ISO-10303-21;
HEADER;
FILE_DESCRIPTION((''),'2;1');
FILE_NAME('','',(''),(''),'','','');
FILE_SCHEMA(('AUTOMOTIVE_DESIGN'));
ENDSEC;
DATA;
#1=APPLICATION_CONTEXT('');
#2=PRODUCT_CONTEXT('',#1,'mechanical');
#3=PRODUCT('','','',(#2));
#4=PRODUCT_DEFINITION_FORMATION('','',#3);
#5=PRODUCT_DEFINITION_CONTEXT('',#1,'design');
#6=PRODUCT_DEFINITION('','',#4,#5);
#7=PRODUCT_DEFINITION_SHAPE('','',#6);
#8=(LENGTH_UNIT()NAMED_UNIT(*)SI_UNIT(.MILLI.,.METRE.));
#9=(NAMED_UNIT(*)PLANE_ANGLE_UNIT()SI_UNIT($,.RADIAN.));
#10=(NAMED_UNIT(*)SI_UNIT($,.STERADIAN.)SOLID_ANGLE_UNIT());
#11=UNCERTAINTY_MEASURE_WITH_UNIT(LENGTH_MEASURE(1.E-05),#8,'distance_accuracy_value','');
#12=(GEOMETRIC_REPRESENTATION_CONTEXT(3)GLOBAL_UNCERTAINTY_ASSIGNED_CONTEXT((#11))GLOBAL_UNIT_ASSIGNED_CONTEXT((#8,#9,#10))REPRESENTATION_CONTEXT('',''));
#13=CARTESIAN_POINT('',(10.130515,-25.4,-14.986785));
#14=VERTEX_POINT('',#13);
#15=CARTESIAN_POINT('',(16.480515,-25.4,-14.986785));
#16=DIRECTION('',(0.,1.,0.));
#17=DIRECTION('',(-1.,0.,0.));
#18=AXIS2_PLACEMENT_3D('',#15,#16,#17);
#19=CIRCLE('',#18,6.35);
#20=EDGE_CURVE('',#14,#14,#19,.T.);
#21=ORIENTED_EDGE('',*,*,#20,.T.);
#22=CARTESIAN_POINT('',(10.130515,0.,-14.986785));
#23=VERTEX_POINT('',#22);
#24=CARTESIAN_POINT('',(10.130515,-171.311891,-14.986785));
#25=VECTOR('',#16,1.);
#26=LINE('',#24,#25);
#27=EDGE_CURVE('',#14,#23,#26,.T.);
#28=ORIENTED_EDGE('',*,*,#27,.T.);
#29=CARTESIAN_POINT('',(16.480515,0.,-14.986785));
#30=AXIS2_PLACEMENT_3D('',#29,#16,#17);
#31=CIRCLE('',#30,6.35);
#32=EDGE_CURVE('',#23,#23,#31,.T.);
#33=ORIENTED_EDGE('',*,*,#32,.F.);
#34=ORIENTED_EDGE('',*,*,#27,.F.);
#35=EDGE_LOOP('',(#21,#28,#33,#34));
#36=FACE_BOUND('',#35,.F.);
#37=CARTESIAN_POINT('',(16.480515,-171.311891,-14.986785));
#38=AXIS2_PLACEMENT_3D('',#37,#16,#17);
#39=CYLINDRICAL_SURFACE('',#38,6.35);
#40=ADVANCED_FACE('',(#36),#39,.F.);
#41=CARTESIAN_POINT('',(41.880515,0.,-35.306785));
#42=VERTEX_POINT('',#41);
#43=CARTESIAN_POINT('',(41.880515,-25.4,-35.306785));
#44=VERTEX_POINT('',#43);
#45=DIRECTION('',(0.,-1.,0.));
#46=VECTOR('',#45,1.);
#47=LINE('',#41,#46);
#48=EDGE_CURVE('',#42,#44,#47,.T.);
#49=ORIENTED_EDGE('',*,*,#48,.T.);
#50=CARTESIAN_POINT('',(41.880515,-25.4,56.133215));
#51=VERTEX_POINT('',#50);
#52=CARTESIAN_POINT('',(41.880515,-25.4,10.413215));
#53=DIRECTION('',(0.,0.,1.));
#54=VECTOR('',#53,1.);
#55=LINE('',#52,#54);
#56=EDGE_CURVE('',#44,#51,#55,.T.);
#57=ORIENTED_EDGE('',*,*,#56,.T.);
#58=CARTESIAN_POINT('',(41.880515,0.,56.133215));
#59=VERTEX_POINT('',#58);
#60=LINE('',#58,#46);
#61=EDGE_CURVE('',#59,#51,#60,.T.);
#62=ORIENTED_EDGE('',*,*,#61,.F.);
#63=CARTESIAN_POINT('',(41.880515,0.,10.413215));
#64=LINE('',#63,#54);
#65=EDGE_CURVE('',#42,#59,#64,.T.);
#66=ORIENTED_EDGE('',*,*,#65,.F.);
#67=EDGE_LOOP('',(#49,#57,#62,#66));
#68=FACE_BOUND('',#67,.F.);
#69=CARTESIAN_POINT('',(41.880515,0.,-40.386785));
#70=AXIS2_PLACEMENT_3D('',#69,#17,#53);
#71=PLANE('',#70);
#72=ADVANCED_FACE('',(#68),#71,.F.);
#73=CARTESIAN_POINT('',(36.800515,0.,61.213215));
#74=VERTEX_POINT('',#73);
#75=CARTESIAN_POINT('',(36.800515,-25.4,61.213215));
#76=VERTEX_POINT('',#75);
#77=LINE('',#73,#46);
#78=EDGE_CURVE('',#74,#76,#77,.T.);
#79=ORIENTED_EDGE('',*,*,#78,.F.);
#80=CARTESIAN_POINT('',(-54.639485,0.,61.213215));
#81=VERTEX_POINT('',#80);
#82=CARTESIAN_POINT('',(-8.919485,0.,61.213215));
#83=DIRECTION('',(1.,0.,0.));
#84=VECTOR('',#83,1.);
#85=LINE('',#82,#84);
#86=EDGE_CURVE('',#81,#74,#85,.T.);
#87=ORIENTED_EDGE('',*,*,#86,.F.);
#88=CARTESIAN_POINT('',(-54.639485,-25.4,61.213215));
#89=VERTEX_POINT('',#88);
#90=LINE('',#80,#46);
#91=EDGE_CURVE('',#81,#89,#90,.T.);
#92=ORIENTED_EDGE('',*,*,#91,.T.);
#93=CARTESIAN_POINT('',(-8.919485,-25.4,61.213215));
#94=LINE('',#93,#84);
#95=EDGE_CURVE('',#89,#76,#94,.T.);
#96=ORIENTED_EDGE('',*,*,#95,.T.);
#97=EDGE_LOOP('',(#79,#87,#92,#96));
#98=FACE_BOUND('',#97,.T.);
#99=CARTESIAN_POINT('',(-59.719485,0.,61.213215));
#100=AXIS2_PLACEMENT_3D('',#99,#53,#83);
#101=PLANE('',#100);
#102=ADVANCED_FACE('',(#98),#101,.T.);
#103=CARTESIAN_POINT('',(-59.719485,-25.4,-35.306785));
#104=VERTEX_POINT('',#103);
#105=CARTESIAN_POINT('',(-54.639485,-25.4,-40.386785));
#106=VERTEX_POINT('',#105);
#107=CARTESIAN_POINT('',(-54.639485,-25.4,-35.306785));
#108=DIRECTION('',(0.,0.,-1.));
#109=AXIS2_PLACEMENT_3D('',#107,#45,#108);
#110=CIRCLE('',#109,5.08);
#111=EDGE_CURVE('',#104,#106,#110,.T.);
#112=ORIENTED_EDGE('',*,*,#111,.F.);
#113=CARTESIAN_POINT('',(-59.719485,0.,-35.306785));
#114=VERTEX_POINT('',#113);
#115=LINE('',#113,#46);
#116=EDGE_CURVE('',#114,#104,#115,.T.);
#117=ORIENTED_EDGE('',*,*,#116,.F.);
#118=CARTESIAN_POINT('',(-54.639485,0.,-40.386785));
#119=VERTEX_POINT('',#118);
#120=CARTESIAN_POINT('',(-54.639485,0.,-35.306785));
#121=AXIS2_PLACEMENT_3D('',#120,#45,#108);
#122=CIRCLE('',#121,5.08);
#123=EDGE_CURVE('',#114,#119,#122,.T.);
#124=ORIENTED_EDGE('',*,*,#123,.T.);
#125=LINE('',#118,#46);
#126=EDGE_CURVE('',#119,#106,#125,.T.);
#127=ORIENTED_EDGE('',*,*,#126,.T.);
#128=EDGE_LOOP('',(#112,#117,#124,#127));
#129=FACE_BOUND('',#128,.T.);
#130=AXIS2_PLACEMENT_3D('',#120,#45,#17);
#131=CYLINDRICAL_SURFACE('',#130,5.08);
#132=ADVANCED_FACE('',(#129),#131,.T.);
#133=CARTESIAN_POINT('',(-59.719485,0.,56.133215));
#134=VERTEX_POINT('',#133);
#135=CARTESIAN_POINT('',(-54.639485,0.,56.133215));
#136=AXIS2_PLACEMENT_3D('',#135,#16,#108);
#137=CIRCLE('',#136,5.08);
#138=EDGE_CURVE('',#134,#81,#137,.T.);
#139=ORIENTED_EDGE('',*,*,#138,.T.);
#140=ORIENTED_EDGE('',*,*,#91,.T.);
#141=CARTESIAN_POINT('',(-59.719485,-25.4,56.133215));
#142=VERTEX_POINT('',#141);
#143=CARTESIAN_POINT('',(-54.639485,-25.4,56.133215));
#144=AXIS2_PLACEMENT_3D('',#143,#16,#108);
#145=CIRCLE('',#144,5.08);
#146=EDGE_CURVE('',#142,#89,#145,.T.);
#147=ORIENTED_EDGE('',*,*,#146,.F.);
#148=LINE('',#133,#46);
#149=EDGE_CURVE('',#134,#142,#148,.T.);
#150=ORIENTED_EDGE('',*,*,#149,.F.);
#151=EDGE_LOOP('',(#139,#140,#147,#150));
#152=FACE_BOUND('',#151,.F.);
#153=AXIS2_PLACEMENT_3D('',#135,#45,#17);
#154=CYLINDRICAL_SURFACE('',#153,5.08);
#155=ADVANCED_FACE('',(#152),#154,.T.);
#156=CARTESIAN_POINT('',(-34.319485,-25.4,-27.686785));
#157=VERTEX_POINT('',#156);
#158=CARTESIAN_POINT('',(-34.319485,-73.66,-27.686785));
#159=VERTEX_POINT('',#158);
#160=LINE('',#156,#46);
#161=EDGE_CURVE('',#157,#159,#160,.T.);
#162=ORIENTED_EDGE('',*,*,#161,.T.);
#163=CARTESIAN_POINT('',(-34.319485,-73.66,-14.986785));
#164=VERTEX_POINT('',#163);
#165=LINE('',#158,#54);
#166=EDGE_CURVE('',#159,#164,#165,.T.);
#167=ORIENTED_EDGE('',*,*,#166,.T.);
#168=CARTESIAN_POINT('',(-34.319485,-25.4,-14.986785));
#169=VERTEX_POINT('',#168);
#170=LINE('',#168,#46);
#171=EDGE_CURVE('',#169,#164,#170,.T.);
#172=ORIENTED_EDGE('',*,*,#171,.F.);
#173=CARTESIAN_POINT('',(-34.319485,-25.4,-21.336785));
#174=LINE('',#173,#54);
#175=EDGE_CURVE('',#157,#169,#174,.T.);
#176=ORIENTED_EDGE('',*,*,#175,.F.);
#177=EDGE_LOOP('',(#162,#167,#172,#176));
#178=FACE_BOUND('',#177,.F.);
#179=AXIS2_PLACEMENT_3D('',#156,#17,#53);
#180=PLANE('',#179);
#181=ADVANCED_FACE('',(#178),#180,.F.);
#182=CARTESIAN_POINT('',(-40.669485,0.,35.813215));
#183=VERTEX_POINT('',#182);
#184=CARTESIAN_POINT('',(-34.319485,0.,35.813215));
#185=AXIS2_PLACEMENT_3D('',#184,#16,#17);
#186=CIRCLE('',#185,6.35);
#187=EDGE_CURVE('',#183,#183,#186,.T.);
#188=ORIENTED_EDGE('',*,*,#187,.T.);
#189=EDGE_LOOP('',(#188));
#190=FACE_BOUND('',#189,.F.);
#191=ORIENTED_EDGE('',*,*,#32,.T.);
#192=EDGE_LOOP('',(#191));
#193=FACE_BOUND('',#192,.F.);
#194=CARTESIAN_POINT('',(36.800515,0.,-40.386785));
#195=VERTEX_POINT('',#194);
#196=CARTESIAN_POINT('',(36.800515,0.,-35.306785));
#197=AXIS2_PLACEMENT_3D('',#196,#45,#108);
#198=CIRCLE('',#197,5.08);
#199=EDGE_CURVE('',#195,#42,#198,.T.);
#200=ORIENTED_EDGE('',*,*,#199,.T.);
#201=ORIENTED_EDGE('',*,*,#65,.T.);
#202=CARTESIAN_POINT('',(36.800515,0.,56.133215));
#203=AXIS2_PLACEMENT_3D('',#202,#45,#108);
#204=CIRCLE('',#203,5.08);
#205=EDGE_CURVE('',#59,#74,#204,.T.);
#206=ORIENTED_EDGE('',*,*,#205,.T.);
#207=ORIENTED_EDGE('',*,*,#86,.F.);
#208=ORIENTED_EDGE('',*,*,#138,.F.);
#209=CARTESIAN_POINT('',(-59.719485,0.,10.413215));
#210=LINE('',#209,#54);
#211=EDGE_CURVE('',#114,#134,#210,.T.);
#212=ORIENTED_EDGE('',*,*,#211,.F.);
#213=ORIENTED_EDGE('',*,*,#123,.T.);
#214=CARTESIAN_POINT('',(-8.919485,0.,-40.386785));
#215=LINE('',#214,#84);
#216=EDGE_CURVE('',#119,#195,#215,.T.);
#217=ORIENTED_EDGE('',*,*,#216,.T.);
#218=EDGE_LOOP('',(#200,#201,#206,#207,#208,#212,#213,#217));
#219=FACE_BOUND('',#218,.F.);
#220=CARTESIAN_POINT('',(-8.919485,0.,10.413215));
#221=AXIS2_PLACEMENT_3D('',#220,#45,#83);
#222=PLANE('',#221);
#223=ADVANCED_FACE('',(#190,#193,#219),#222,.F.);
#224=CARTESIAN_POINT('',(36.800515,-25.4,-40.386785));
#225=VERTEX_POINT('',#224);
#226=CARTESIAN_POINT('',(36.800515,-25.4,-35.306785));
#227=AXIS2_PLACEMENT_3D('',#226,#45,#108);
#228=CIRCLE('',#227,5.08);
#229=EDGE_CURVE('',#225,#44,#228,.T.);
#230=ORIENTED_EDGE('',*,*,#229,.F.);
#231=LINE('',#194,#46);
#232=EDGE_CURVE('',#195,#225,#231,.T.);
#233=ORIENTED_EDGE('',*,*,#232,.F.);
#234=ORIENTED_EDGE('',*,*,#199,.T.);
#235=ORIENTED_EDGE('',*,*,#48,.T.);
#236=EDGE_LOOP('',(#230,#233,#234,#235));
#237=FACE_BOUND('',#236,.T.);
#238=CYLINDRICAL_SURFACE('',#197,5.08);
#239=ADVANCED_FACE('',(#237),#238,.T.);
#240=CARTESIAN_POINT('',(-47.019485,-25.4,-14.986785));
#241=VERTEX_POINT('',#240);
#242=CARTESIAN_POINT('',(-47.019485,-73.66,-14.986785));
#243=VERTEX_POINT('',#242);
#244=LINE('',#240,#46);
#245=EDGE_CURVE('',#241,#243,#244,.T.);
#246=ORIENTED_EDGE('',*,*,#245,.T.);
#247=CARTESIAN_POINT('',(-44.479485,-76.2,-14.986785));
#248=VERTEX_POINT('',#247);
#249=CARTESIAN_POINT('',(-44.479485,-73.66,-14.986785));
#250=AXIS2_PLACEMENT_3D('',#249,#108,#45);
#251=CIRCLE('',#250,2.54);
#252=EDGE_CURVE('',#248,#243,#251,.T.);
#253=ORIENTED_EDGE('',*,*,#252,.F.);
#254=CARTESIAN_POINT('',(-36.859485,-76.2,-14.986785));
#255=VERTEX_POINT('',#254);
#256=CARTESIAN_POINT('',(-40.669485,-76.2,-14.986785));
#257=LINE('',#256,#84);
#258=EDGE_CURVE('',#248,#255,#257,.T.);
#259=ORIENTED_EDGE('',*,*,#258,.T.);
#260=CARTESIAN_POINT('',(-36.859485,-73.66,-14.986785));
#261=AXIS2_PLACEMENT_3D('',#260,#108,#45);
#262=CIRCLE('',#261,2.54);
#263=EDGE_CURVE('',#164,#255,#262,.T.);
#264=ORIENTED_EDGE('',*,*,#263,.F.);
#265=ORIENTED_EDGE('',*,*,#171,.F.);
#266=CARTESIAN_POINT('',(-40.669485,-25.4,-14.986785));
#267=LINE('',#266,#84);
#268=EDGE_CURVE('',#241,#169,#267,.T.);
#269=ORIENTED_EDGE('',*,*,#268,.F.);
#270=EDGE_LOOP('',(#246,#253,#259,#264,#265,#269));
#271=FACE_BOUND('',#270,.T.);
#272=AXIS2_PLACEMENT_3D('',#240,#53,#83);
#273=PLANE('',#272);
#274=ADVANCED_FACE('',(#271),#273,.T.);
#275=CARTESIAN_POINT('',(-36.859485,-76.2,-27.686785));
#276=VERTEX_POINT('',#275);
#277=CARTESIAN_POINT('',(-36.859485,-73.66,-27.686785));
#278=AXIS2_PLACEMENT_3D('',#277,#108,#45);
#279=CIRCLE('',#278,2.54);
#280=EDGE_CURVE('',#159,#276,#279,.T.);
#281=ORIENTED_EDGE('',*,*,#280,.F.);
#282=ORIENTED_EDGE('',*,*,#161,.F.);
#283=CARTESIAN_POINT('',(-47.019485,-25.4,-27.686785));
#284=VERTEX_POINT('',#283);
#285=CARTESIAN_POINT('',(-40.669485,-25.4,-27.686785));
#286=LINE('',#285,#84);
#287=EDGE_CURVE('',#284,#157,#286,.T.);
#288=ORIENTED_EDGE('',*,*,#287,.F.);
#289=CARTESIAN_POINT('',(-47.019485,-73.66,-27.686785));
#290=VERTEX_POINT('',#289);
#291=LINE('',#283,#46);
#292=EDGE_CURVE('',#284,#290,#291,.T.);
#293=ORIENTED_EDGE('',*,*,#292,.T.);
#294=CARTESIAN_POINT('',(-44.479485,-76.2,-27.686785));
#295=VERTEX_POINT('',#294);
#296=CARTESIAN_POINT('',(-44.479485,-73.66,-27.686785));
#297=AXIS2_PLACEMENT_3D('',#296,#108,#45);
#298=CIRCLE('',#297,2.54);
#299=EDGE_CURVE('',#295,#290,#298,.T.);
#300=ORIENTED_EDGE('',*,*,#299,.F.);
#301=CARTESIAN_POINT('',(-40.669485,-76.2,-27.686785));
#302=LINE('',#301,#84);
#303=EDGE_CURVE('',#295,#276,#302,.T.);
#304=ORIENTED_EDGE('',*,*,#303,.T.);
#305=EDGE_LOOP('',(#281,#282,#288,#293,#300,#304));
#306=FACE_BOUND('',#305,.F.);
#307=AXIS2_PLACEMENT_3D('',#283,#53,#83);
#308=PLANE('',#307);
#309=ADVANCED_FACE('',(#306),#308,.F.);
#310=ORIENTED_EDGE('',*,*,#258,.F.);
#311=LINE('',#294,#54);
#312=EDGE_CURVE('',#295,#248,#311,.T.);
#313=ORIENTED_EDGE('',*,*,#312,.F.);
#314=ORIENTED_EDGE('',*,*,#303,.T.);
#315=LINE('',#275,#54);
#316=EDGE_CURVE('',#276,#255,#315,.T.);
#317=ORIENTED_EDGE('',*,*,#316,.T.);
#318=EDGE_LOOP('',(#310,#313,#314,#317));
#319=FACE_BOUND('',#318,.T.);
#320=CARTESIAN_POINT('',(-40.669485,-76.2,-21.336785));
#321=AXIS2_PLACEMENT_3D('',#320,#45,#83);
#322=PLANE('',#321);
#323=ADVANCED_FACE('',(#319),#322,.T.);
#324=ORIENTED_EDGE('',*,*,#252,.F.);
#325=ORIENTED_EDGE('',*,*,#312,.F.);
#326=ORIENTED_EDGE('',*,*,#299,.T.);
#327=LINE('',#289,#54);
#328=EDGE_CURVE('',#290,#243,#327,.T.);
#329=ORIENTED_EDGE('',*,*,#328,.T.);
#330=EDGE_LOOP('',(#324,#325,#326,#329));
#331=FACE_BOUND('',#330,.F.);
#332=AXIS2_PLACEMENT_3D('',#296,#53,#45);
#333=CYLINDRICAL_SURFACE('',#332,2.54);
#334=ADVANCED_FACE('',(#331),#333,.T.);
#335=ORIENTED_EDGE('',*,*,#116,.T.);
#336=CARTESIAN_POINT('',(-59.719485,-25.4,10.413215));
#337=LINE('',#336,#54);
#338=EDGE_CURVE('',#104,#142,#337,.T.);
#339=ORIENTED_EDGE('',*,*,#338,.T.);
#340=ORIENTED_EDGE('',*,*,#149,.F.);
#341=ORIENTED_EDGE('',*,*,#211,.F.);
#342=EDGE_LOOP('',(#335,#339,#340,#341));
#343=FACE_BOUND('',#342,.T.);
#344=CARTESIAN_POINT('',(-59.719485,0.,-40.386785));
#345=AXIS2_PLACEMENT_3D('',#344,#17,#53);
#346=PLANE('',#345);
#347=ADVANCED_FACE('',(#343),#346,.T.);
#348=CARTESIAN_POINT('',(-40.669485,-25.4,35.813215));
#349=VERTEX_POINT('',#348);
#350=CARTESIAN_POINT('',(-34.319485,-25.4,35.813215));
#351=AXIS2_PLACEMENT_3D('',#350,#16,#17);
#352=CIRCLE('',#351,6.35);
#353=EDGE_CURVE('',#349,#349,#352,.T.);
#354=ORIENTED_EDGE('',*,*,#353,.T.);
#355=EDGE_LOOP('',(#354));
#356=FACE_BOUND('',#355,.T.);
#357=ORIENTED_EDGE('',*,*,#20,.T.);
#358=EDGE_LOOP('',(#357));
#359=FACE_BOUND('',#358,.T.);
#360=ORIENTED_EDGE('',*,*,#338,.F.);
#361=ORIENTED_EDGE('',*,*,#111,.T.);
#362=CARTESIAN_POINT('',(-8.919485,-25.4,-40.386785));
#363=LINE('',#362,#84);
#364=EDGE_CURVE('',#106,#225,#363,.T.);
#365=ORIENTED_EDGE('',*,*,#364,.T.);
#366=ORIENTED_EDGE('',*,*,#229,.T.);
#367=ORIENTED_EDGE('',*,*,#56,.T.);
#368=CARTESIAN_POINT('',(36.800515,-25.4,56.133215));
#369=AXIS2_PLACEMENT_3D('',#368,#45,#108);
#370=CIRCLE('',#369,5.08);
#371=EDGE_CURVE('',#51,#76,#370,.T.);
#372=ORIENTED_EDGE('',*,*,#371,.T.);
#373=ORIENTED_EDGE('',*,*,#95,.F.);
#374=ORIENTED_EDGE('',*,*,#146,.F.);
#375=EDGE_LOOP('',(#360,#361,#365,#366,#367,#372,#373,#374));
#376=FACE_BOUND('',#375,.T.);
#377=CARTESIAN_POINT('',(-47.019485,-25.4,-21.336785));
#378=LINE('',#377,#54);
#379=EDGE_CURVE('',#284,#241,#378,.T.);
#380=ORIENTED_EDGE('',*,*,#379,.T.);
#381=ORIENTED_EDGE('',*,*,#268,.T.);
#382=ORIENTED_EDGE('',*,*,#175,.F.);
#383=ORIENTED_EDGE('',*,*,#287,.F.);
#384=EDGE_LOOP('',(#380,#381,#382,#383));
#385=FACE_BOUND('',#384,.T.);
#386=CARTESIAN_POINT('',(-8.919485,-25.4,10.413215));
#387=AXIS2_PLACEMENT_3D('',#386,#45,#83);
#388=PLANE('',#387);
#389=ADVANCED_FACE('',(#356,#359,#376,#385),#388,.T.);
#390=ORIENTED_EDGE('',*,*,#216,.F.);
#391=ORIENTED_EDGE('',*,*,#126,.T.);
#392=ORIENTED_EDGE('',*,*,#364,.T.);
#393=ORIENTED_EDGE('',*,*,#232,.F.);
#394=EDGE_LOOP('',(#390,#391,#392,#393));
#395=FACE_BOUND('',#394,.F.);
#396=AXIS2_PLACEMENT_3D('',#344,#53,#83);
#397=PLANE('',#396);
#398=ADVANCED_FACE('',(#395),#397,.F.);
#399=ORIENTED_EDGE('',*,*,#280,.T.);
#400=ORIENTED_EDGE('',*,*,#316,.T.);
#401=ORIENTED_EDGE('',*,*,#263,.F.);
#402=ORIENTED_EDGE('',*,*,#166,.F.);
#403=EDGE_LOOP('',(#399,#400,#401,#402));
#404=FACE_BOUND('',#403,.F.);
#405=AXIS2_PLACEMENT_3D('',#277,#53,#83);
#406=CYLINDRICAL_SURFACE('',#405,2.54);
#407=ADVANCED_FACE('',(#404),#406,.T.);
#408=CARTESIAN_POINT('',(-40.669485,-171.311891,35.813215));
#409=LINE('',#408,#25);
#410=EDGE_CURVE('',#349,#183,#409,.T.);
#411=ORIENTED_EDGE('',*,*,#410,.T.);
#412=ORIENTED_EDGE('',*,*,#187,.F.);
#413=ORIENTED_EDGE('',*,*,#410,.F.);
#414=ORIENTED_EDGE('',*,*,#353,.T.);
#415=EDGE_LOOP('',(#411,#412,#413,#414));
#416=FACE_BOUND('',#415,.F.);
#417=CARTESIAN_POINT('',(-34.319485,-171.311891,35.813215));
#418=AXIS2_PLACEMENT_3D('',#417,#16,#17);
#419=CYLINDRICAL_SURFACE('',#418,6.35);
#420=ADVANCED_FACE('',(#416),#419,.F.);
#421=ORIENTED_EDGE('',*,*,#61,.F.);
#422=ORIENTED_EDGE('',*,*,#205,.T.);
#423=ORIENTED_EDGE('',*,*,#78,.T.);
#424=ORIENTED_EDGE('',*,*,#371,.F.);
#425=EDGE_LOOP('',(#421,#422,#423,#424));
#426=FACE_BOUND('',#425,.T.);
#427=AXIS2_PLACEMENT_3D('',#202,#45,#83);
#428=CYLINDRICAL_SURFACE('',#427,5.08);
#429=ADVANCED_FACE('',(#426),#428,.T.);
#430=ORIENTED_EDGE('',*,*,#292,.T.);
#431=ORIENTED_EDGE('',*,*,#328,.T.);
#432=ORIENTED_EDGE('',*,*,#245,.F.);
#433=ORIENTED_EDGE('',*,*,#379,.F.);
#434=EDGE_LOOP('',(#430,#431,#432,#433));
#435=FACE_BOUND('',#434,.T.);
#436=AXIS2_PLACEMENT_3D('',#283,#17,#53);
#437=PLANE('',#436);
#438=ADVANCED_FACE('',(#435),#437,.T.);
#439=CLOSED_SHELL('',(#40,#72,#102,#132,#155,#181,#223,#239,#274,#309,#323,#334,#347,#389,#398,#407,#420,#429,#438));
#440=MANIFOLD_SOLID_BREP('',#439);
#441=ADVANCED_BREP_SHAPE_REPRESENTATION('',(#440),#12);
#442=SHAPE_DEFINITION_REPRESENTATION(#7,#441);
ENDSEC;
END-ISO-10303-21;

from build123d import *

# Parameters (mm, degrees)
F0_W      = 101.6
F0_H      = 101.6
F1_DEPTH  = 25.4
F2_R      = 5.08
F3_R      = 5.08
F4_R      = 5.08
F5_R      = 5.08
F8_D      = 12.7
F10_W     = 12.7
F10_H     = 12.7
F11_DEPTH = 50.8
F12_R     = 2.54
F13_R     = 2.54


with BuildPart() as f1:
    # F0 (on Front) → F1 (new body)
    with BuildSketch(Plane.XZ):
        with Locations((-8.919485, 10.413215)):
            Rectangle(F0_W, F0_H)
    extrude(amount=F1_DEPTH)

    # F2
    f2_edges = [f1.edges().sort_by_distance(p)[0] for p in [
        (-59.719485, -12.7, 61.213215),
    ]]
    fillet(f2_edges, radius=F2_R)

    # F3
    f3_edges = [f1.edges().sort_by_distance(p)[0] for p in [
        (-59.719485, -12.7, -40.386785),
    ]]
    fillet(f3_edges, radius=F3_R)

    # F4
    f4_edges = [f1.edges().sort_by_distance(p)[0] for p in [
        (41.880515, -12.7, -40.386785),
    ]]
    fillet(f4_edges, radius=F4_R)

    # F5
    f5_edges = [f1.edges().sort_by_distance(p)[0] for p in [
        (41.880515, -12.7, 61.213215),
    ]]
    fillet(f5_edges, radius=F5_R)

    # F8 (through all)
    with Locations(Plane.XZ.offset(25.4)):
        with Locations((-34.319485, 35.813215), (16.480515, -14.986785)):
            Hole(F8_D / 2)

    # F10 (on face) → F11 (join)
    with BuildSketch(Plane.XZ.offset(25.4)):
        with Locations((-40.669485, -21.336785)):
            Rectangle(F10_W, F10_H)
    extrude(amount=F11_DEPTH)

    # F12
    f12_edges = [f1.edges().sort_by_distance(p)[0] for p in [
        (-34.319485, -76.2, -21.336785),
    ]]
    fillet(f12_edges, radius=F12_R)

    # F13
    f13_edges = [f1.edges().sort_by_distance(p)[0] for p in [
        (-47.019485, -76.2, -21.336785),
    ]]
    fillet(f13_edges, radius=F13_R)


solid = f1.part
